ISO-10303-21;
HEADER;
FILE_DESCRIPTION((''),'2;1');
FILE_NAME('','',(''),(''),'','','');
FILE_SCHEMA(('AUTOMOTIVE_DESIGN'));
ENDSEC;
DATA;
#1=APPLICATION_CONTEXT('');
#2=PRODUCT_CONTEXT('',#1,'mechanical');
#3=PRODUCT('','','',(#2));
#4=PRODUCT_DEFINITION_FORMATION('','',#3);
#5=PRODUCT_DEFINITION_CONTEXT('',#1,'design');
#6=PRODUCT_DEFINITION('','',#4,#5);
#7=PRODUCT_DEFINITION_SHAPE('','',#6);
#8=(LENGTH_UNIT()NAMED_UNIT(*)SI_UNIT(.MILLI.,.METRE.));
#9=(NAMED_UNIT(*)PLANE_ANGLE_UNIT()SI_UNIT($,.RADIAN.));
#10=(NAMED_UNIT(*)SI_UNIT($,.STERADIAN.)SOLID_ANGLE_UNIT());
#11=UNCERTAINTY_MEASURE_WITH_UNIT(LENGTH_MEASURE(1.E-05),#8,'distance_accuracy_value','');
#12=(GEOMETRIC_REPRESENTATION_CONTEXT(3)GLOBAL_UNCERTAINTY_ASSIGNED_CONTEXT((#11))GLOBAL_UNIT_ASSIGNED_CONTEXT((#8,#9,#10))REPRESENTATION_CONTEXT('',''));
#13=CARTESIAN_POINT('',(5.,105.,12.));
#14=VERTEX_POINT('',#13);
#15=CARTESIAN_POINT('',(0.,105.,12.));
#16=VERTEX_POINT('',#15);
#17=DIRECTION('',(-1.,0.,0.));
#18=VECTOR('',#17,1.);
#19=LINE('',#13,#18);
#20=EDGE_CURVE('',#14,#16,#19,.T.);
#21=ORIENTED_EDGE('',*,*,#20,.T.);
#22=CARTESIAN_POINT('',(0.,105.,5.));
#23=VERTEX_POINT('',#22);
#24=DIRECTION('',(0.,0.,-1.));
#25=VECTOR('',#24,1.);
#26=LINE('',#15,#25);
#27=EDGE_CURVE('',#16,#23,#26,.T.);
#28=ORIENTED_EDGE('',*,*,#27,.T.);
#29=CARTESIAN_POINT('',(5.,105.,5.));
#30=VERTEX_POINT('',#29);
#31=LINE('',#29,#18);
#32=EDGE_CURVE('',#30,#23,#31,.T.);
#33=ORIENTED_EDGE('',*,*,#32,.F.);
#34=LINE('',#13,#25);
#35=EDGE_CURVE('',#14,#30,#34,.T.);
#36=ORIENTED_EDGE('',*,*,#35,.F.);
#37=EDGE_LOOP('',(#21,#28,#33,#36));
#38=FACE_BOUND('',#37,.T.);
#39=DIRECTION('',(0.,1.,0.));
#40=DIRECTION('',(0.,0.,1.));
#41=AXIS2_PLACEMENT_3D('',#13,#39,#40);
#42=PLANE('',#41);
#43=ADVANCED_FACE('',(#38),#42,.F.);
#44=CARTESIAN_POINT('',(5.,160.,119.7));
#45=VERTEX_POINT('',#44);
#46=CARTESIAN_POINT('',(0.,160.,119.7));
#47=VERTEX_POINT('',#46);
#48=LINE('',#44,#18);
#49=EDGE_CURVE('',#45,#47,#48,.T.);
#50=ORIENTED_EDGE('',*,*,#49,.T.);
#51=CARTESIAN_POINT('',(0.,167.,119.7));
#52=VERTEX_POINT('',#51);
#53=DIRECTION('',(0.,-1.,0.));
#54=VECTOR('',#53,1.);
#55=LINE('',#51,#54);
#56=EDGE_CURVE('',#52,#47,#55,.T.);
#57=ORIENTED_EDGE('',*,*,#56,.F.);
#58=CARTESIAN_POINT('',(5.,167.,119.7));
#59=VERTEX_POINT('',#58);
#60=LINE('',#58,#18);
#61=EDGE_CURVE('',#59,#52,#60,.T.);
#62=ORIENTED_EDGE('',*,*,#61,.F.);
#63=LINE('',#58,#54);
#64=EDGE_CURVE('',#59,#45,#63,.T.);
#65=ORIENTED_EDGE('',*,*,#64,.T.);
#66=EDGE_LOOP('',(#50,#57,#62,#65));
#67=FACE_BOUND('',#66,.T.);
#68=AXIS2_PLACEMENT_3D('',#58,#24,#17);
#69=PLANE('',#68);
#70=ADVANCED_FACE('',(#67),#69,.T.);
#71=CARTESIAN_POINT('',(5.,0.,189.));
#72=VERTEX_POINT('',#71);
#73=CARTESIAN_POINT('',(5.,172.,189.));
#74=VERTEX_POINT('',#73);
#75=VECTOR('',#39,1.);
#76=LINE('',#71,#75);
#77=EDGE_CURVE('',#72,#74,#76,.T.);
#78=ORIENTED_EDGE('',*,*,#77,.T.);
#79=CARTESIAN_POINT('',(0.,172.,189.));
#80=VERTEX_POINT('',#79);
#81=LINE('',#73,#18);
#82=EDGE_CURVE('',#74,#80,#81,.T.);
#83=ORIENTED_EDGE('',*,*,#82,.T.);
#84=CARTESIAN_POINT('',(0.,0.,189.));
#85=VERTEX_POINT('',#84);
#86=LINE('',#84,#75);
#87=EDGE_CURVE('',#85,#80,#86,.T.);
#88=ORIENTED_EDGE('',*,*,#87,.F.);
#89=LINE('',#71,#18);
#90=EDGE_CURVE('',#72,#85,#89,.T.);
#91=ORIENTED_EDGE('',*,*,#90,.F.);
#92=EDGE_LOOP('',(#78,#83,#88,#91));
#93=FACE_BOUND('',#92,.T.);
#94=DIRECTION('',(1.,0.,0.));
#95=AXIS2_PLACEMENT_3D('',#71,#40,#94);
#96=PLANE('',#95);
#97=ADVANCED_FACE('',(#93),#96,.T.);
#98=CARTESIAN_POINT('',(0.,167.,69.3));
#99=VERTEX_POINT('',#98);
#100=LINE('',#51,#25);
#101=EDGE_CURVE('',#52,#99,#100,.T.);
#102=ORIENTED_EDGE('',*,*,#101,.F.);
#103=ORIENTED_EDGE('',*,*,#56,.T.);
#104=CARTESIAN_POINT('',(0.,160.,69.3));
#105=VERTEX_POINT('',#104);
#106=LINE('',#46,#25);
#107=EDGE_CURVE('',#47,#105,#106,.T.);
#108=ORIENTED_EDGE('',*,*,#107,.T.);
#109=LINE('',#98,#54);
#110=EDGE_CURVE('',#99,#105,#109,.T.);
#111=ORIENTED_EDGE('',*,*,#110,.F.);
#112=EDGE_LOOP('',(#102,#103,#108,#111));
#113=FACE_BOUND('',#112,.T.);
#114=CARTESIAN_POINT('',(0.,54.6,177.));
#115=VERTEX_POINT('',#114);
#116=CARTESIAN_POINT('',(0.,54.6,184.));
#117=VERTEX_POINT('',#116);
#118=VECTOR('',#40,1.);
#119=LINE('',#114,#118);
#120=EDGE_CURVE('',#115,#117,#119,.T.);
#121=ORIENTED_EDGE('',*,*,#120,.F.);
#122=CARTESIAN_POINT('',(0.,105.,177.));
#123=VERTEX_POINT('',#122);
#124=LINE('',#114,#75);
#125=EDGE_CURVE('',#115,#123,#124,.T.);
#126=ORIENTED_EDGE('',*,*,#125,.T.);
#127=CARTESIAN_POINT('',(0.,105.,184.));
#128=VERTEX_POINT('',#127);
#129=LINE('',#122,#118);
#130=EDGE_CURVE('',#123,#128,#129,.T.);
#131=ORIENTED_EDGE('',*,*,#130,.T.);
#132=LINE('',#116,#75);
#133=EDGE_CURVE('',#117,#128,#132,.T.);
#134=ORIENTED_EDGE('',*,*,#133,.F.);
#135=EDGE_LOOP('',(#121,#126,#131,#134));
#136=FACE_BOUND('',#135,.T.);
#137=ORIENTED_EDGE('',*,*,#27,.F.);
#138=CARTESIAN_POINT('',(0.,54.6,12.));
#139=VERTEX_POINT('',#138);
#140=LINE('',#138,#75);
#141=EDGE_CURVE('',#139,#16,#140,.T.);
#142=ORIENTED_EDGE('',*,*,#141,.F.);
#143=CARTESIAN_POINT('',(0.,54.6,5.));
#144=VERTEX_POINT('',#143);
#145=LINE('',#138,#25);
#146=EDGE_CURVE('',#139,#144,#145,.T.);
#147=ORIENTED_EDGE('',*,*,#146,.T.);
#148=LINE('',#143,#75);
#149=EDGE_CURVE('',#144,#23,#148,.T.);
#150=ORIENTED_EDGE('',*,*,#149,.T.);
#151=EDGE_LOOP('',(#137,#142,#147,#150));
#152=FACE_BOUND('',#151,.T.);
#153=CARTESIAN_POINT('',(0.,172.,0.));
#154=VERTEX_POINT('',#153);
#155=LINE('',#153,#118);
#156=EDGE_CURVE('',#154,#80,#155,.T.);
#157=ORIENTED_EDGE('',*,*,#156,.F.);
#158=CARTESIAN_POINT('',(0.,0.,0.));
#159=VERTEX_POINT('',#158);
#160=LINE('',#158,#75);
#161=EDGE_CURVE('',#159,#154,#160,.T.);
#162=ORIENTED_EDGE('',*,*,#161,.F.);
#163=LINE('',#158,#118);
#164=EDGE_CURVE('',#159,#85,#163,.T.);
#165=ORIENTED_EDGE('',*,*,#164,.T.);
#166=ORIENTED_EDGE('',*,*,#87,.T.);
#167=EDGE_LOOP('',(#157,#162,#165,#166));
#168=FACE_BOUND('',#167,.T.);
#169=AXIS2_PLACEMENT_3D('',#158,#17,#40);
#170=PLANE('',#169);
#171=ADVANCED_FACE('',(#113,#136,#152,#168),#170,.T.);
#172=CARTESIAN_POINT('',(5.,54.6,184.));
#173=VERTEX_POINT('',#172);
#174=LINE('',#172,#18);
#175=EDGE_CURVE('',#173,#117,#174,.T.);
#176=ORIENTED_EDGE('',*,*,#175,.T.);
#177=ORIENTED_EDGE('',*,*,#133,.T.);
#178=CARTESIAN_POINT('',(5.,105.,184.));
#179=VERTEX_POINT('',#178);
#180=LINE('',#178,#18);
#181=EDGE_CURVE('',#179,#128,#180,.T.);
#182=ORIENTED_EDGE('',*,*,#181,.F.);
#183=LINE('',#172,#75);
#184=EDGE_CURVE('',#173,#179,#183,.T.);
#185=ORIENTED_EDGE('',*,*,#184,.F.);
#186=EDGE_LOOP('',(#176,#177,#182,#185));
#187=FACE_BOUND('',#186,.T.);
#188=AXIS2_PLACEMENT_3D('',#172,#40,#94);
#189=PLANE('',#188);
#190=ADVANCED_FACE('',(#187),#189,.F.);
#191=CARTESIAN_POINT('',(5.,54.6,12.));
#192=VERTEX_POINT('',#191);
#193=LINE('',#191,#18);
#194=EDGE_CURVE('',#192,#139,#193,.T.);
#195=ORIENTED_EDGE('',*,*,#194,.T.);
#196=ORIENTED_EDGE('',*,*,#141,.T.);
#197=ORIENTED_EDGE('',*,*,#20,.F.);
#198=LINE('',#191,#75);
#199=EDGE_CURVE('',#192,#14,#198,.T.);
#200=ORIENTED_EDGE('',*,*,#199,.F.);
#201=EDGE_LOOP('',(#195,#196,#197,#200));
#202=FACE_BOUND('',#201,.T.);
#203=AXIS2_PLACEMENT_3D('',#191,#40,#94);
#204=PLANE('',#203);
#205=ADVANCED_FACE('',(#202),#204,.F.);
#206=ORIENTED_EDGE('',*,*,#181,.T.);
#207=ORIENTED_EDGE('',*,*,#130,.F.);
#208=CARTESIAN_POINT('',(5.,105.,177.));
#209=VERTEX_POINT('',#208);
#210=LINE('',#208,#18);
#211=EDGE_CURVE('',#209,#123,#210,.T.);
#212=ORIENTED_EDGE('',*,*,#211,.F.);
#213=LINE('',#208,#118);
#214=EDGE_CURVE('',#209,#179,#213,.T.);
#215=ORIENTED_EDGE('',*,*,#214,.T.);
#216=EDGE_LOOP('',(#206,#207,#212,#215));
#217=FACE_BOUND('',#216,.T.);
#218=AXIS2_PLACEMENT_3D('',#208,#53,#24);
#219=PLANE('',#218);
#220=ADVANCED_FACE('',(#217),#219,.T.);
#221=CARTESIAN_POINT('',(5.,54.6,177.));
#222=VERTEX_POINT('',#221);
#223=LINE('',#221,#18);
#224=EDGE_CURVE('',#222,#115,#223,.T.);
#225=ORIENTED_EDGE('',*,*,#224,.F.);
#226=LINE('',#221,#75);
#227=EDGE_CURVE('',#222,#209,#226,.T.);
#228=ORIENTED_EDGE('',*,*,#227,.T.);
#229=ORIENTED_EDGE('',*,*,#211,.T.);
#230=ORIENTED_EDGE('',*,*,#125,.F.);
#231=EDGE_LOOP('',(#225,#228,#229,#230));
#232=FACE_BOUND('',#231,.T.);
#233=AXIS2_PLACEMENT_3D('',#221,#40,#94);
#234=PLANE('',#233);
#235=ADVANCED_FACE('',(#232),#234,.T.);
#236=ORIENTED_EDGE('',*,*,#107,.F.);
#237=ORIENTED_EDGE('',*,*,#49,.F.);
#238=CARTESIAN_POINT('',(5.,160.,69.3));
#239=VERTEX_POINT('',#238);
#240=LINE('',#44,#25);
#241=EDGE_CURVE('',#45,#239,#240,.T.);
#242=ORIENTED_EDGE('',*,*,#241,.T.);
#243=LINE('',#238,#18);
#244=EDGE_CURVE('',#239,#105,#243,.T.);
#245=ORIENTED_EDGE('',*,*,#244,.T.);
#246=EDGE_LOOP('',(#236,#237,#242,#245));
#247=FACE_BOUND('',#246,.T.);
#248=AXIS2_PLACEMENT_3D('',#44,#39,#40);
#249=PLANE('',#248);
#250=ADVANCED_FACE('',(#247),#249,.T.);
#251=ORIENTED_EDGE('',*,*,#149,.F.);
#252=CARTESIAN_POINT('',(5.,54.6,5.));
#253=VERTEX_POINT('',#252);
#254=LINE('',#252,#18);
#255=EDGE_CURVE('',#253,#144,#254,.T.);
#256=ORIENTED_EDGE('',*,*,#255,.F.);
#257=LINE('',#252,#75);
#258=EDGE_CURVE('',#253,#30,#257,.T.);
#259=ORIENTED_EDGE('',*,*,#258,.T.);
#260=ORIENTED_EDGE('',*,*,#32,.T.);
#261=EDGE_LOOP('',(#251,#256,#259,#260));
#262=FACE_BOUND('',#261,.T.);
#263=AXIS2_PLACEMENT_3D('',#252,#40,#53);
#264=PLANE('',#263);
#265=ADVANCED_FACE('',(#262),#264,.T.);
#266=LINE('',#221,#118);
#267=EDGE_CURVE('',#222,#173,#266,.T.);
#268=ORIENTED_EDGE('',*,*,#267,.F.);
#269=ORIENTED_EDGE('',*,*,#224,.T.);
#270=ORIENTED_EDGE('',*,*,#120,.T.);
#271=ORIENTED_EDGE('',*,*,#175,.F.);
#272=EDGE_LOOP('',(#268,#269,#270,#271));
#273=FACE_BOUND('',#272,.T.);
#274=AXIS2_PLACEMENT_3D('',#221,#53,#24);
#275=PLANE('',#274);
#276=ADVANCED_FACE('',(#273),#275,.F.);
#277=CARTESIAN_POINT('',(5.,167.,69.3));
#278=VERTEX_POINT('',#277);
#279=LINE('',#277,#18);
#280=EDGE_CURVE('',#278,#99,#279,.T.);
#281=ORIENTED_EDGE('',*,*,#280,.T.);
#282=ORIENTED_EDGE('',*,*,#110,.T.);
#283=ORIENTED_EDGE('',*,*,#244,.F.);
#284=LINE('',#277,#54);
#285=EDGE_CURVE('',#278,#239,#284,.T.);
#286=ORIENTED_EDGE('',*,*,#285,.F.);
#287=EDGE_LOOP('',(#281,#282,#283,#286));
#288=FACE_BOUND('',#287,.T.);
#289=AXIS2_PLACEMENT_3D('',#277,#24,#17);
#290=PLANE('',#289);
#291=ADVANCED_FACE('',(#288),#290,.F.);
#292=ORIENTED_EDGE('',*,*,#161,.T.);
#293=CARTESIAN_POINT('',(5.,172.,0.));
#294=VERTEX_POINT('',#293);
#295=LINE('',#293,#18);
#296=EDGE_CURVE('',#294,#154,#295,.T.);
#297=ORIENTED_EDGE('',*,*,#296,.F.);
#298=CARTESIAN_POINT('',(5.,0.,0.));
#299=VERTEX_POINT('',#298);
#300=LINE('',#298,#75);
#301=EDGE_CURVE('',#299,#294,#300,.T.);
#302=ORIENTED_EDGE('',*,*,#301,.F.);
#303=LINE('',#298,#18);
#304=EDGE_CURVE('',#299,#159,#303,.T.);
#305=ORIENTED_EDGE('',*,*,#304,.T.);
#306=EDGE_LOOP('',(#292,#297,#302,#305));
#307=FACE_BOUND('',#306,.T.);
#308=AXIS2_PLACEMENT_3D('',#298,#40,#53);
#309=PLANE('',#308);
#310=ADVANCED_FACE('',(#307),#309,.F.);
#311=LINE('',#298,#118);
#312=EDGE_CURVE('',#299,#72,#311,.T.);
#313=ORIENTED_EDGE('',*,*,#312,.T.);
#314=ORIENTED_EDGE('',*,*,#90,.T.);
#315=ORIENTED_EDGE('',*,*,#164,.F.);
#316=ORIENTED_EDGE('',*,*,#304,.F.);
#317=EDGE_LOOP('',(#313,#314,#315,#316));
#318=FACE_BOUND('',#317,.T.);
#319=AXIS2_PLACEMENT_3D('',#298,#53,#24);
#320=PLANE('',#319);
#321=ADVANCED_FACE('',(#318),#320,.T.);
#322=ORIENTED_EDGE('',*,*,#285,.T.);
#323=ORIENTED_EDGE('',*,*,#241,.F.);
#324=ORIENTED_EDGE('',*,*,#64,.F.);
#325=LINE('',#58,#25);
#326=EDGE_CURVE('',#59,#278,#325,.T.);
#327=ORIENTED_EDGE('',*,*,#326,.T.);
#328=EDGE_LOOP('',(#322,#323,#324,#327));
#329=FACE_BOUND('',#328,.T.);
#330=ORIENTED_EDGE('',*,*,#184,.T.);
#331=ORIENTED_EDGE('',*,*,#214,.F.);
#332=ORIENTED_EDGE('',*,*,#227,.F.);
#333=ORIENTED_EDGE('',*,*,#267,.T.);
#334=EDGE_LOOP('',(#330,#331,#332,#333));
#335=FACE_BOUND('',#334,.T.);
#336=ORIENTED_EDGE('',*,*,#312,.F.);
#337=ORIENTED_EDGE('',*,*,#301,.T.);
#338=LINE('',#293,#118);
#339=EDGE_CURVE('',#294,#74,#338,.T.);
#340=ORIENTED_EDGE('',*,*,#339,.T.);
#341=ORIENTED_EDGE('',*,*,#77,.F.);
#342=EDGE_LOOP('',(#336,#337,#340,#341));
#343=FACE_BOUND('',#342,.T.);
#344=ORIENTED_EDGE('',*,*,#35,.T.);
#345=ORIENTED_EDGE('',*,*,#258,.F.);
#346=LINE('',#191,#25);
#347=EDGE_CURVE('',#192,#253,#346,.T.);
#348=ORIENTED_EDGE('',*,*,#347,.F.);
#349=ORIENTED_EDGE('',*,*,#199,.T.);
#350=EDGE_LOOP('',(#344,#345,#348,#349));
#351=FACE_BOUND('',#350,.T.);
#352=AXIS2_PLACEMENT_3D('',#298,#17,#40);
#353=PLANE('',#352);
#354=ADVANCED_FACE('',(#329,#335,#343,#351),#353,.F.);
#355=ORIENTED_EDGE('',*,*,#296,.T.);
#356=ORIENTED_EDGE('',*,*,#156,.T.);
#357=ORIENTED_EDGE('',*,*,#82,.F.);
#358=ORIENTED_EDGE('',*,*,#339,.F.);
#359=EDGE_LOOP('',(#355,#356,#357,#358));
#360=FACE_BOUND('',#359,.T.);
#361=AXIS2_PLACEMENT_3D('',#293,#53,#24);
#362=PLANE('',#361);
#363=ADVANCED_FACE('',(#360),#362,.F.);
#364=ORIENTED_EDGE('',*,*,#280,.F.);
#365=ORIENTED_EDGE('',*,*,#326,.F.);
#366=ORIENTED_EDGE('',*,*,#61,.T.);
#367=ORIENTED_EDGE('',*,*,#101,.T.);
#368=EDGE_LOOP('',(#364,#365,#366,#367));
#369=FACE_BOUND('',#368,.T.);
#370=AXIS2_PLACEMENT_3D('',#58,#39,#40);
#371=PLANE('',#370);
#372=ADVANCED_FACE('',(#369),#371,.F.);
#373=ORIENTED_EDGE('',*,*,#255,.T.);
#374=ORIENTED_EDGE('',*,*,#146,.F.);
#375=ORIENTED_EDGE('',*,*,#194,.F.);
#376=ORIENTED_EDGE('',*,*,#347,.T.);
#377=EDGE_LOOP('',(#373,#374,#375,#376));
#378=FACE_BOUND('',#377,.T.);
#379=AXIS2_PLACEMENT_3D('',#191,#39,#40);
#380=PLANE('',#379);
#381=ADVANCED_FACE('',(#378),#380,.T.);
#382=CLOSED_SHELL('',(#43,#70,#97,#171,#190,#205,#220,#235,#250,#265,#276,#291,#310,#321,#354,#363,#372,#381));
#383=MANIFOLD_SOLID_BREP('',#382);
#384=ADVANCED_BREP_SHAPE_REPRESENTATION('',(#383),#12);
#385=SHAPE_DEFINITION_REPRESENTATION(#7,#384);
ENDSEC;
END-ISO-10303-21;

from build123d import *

# Parameters (mm, degrees)
SKETCH1_W           = 189
SKETCH1_H           = 172
SKETCH1_W_2         = 7
SKETCH1_H_2         = 50.4
SKETCH1_W_3         = 50.4
SKETCH1_H_3         = 7
BOSS_EXTRUDE1_DEPTH = 5


with BuildPart() as part:
    # Sketch1 → Boss-Extrude1 (new body)
    with BuildSketch(Plane(origin=(0, 0, 0), x_dir=(0, 0, -1), z_dir=(1, 0, 0))):
        with Locations((-94.5, 86)):
            Rectangle(SKETCH1_W, SKETCH1_H)
        with Locations((-180.5, 79.8)):
            Rectangle(SKETCH1_W_2, SKETCH1_H_2, mode=Mode.SUBTRACT)
        with Locations((-94.5, 163.5)):
            Rectangle(SKETCH1_W_3, SKETCH1_H_3, mode=Mode.SUBTRACT)
        with Locations((-8.5, 79.8)):
            Rectangle(SKETCH1_W_2, SKETCH1_H_2, mode=Mode.SUBTRACT)
    extrude(amount=BOSS_EXTRUDE1_DEPTH)


solid = part.part
